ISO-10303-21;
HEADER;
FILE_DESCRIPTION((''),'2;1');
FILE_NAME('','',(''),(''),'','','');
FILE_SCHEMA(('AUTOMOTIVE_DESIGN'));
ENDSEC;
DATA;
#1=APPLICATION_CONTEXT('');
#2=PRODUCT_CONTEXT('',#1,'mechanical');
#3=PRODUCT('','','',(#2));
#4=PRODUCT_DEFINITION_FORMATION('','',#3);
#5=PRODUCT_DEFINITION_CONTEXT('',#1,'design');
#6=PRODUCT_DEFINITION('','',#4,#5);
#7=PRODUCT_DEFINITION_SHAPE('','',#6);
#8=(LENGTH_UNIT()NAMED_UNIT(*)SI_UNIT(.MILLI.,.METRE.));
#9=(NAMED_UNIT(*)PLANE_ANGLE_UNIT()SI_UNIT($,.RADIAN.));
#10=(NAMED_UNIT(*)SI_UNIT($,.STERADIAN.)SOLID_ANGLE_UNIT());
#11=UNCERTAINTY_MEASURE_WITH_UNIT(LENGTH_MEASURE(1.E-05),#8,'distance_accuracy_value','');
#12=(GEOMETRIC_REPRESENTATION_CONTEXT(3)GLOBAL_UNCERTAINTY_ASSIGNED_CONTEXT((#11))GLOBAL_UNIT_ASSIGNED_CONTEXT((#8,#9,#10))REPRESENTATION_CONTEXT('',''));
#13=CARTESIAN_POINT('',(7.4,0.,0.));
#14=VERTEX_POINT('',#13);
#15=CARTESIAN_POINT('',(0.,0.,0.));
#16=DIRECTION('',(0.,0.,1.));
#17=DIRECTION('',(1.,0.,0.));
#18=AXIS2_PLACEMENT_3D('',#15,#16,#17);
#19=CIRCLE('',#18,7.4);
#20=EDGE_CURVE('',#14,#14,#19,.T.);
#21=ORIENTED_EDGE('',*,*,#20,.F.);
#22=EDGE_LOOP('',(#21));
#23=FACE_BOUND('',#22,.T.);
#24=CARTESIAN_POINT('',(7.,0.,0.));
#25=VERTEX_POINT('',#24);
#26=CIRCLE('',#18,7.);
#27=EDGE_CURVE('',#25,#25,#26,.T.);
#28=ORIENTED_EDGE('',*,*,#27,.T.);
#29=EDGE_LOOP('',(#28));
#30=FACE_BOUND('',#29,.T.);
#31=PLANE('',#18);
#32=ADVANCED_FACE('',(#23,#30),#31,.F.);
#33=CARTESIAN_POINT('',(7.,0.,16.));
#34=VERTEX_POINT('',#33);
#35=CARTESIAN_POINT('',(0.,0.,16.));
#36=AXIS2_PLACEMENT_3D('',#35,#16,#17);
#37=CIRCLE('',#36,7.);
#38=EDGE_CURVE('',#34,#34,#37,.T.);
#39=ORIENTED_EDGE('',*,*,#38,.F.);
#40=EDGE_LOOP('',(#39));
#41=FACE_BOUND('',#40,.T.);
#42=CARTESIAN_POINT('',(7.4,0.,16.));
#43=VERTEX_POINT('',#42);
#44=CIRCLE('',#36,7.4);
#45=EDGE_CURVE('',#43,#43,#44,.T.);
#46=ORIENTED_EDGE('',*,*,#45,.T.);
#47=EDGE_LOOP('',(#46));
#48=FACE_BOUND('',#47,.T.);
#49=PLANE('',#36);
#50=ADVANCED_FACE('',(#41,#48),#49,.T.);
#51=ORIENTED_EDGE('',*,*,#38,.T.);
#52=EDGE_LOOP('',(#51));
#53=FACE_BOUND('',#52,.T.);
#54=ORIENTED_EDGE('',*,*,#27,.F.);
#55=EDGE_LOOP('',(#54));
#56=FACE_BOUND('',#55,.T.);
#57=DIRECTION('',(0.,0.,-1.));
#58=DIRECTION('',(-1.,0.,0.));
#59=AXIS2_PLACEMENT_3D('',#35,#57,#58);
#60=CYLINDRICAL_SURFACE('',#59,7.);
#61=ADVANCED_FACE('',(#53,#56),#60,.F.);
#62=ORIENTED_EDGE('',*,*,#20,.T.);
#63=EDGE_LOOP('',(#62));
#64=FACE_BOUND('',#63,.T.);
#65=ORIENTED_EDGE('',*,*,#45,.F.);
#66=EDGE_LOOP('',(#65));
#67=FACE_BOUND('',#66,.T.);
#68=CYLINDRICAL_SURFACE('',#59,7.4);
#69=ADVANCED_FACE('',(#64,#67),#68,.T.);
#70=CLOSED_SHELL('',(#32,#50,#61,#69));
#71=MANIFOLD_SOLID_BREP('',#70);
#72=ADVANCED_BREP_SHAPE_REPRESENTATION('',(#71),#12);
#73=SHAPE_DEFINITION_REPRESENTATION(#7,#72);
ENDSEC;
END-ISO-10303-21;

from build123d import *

# Parameters (mm, degrees)
SKETCH1_R           = 7.4
SKETCH1_R_2         = 7
EXTRUDE_THIN1_DEPTH = 16


with BuildPart() as part:
    # Sketch1 → Extrude-Thin1 (new body)
    with BuildSketch(Plane.XY):
        Circle(SKETCH1_R)
        Circle(SKETCH1_R_2, mode=Mode.SUBTRACT)
    extrude(amount=EXTRUDE_THIN1_DEPTH)


solid = part.part
